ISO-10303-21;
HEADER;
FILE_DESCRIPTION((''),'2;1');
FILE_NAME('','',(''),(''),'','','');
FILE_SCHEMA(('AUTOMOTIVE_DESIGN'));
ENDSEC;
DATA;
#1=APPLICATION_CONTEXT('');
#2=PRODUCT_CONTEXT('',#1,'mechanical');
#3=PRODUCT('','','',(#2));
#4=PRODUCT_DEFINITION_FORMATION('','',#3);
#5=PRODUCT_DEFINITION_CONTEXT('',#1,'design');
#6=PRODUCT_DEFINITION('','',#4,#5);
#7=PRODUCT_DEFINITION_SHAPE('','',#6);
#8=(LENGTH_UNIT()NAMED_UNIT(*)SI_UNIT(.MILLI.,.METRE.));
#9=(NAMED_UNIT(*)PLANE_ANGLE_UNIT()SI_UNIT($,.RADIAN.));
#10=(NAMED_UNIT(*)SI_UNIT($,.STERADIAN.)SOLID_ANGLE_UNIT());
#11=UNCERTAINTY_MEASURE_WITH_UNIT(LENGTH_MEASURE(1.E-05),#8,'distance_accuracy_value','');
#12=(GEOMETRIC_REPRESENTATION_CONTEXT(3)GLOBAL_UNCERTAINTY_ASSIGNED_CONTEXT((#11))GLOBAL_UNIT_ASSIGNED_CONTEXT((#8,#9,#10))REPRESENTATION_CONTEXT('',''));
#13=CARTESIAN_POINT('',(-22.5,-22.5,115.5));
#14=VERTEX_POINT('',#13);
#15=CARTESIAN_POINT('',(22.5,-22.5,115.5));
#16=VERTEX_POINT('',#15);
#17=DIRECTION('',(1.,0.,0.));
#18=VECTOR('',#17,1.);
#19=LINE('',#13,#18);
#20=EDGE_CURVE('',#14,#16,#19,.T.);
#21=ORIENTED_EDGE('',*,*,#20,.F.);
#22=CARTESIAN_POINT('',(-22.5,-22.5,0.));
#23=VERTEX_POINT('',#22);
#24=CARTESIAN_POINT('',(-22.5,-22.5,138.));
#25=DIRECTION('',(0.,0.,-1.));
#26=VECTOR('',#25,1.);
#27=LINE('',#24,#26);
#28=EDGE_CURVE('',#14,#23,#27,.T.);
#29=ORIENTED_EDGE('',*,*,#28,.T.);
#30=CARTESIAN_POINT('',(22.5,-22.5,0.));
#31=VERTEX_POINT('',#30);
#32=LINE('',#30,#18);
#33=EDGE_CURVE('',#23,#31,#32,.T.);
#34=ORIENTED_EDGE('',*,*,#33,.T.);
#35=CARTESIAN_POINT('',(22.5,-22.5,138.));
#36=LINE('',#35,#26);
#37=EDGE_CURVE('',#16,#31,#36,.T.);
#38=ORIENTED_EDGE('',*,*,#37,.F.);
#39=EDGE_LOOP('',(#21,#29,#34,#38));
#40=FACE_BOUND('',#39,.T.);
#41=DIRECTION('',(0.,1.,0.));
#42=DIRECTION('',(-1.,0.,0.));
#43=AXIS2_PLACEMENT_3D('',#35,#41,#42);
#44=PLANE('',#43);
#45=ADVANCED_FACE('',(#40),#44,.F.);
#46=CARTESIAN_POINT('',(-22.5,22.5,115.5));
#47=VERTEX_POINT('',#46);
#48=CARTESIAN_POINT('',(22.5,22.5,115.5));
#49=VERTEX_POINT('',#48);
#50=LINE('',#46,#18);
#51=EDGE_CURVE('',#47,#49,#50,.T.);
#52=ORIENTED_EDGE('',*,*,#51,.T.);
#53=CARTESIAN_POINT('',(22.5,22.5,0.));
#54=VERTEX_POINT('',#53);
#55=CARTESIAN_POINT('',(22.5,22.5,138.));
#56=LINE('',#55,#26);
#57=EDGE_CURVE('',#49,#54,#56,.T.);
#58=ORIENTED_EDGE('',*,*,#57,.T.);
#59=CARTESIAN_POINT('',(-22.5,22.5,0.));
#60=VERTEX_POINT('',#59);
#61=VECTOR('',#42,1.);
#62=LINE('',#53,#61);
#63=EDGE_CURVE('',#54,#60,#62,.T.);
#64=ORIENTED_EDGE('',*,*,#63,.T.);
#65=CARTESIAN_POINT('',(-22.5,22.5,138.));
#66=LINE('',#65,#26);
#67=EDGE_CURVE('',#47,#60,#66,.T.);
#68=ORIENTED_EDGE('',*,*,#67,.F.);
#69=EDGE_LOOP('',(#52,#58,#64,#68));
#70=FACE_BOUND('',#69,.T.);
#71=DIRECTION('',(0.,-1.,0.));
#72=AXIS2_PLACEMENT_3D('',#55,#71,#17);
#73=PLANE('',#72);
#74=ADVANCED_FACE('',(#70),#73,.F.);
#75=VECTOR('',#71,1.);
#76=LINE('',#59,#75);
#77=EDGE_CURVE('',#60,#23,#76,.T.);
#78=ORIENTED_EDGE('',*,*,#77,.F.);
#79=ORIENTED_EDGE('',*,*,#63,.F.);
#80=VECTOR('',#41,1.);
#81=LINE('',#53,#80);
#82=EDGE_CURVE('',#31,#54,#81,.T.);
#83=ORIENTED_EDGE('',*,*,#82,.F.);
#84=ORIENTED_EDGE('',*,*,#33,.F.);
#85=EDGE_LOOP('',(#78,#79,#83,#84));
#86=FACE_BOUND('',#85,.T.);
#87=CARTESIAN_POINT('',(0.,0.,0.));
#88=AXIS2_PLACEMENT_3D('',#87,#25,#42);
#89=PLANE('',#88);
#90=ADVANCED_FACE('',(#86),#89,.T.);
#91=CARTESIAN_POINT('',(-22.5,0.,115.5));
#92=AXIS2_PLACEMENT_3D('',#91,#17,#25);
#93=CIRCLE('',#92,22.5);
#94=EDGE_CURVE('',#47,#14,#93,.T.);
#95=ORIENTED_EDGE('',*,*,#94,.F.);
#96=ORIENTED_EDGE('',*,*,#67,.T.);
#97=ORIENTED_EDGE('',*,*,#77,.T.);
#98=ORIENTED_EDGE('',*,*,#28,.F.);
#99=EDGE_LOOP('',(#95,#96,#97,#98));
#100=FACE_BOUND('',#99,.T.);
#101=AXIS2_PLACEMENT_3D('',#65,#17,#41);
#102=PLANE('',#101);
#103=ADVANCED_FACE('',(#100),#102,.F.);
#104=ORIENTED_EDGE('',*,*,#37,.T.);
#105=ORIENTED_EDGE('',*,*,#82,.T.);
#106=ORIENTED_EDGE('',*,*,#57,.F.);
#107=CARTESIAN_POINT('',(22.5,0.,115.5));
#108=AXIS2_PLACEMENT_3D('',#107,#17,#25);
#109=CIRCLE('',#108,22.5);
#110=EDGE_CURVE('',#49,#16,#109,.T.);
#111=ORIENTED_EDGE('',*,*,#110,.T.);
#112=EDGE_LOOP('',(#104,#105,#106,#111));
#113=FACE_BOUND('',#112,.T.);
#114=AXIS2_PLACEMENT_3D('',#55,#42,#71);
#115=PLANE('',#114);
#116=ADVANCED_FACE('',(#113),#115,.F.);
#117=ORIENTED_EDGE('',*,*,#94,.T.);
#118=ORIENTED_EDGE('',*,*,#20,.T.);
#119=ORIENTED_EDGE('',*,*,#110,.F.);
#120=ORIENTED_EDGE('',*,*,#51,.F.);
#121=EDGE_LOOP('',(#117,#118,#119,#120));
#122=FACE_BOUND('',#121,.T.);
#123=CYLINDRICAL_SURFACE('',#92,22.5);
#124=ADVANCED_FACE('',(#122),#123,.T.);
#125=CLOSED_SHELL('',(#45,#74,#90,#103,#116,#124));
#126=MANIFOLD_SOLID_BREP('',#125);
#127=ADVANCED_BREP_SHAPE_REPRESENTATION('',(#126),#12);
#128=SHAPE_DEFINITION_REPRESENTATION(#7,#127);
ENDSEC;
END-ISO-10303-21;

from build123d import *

# Parameters (mm, degrees)
SKETCH1_W               = 45
SKETCH1_H               = 45
BOSS_EXTRUDE1_DEPTH     = 138
CUT_EXTRUDE1_DEPTH      = 23.5
CUT_EXTRUDE1_DEPTH_BACK = 23.5


with BuildPart() as part:
    # Sketch1 → Boss-Extrude1 (new body)
    with BuildSketch(Plane.XY):
        Rectangle(SKETCH1_W, SKETCH1_H)
    extrude(amount=BOSS_EXTRUDE1_DEPTH)

    # Sketch2 → Cut-Extrude1 (cut, two sides)
    with BuildSketch(Plane(origin=(0, 0, 0), x_dir=(0, 0, -1), z_dir=(1, 0, 0))) as cut_extrude1_sk:
        with BuildLine():
            Line((-138, 22.5), (-138, 0))
            ThreePointArc((-138, 0), (-131.409902577, 15.909902577), (-115.5, 22.5))
            Line((-115.5, 22.5), (-138, 22.5))
        make_face()
        with BuildLine():
            Line((-138, -22.5), (-115.5, -22.5))
            ThreePointArc((-115.5, -22.5), (-131.409902577, -15.909902577), (-138, 0))
            Line((-138, 0), (-138, -22.5))
        make_face()
    extrude(amount=CUT_EXTRUDE1_DEPTH, mode=Mode.SUBTRACT)
    extrude(cut_extrude1_sk.sketch, amount=-CUT_EXTRUDE1_DEPTH_BACK, mode=Mode.SUBTRACT)


solid = part.part
